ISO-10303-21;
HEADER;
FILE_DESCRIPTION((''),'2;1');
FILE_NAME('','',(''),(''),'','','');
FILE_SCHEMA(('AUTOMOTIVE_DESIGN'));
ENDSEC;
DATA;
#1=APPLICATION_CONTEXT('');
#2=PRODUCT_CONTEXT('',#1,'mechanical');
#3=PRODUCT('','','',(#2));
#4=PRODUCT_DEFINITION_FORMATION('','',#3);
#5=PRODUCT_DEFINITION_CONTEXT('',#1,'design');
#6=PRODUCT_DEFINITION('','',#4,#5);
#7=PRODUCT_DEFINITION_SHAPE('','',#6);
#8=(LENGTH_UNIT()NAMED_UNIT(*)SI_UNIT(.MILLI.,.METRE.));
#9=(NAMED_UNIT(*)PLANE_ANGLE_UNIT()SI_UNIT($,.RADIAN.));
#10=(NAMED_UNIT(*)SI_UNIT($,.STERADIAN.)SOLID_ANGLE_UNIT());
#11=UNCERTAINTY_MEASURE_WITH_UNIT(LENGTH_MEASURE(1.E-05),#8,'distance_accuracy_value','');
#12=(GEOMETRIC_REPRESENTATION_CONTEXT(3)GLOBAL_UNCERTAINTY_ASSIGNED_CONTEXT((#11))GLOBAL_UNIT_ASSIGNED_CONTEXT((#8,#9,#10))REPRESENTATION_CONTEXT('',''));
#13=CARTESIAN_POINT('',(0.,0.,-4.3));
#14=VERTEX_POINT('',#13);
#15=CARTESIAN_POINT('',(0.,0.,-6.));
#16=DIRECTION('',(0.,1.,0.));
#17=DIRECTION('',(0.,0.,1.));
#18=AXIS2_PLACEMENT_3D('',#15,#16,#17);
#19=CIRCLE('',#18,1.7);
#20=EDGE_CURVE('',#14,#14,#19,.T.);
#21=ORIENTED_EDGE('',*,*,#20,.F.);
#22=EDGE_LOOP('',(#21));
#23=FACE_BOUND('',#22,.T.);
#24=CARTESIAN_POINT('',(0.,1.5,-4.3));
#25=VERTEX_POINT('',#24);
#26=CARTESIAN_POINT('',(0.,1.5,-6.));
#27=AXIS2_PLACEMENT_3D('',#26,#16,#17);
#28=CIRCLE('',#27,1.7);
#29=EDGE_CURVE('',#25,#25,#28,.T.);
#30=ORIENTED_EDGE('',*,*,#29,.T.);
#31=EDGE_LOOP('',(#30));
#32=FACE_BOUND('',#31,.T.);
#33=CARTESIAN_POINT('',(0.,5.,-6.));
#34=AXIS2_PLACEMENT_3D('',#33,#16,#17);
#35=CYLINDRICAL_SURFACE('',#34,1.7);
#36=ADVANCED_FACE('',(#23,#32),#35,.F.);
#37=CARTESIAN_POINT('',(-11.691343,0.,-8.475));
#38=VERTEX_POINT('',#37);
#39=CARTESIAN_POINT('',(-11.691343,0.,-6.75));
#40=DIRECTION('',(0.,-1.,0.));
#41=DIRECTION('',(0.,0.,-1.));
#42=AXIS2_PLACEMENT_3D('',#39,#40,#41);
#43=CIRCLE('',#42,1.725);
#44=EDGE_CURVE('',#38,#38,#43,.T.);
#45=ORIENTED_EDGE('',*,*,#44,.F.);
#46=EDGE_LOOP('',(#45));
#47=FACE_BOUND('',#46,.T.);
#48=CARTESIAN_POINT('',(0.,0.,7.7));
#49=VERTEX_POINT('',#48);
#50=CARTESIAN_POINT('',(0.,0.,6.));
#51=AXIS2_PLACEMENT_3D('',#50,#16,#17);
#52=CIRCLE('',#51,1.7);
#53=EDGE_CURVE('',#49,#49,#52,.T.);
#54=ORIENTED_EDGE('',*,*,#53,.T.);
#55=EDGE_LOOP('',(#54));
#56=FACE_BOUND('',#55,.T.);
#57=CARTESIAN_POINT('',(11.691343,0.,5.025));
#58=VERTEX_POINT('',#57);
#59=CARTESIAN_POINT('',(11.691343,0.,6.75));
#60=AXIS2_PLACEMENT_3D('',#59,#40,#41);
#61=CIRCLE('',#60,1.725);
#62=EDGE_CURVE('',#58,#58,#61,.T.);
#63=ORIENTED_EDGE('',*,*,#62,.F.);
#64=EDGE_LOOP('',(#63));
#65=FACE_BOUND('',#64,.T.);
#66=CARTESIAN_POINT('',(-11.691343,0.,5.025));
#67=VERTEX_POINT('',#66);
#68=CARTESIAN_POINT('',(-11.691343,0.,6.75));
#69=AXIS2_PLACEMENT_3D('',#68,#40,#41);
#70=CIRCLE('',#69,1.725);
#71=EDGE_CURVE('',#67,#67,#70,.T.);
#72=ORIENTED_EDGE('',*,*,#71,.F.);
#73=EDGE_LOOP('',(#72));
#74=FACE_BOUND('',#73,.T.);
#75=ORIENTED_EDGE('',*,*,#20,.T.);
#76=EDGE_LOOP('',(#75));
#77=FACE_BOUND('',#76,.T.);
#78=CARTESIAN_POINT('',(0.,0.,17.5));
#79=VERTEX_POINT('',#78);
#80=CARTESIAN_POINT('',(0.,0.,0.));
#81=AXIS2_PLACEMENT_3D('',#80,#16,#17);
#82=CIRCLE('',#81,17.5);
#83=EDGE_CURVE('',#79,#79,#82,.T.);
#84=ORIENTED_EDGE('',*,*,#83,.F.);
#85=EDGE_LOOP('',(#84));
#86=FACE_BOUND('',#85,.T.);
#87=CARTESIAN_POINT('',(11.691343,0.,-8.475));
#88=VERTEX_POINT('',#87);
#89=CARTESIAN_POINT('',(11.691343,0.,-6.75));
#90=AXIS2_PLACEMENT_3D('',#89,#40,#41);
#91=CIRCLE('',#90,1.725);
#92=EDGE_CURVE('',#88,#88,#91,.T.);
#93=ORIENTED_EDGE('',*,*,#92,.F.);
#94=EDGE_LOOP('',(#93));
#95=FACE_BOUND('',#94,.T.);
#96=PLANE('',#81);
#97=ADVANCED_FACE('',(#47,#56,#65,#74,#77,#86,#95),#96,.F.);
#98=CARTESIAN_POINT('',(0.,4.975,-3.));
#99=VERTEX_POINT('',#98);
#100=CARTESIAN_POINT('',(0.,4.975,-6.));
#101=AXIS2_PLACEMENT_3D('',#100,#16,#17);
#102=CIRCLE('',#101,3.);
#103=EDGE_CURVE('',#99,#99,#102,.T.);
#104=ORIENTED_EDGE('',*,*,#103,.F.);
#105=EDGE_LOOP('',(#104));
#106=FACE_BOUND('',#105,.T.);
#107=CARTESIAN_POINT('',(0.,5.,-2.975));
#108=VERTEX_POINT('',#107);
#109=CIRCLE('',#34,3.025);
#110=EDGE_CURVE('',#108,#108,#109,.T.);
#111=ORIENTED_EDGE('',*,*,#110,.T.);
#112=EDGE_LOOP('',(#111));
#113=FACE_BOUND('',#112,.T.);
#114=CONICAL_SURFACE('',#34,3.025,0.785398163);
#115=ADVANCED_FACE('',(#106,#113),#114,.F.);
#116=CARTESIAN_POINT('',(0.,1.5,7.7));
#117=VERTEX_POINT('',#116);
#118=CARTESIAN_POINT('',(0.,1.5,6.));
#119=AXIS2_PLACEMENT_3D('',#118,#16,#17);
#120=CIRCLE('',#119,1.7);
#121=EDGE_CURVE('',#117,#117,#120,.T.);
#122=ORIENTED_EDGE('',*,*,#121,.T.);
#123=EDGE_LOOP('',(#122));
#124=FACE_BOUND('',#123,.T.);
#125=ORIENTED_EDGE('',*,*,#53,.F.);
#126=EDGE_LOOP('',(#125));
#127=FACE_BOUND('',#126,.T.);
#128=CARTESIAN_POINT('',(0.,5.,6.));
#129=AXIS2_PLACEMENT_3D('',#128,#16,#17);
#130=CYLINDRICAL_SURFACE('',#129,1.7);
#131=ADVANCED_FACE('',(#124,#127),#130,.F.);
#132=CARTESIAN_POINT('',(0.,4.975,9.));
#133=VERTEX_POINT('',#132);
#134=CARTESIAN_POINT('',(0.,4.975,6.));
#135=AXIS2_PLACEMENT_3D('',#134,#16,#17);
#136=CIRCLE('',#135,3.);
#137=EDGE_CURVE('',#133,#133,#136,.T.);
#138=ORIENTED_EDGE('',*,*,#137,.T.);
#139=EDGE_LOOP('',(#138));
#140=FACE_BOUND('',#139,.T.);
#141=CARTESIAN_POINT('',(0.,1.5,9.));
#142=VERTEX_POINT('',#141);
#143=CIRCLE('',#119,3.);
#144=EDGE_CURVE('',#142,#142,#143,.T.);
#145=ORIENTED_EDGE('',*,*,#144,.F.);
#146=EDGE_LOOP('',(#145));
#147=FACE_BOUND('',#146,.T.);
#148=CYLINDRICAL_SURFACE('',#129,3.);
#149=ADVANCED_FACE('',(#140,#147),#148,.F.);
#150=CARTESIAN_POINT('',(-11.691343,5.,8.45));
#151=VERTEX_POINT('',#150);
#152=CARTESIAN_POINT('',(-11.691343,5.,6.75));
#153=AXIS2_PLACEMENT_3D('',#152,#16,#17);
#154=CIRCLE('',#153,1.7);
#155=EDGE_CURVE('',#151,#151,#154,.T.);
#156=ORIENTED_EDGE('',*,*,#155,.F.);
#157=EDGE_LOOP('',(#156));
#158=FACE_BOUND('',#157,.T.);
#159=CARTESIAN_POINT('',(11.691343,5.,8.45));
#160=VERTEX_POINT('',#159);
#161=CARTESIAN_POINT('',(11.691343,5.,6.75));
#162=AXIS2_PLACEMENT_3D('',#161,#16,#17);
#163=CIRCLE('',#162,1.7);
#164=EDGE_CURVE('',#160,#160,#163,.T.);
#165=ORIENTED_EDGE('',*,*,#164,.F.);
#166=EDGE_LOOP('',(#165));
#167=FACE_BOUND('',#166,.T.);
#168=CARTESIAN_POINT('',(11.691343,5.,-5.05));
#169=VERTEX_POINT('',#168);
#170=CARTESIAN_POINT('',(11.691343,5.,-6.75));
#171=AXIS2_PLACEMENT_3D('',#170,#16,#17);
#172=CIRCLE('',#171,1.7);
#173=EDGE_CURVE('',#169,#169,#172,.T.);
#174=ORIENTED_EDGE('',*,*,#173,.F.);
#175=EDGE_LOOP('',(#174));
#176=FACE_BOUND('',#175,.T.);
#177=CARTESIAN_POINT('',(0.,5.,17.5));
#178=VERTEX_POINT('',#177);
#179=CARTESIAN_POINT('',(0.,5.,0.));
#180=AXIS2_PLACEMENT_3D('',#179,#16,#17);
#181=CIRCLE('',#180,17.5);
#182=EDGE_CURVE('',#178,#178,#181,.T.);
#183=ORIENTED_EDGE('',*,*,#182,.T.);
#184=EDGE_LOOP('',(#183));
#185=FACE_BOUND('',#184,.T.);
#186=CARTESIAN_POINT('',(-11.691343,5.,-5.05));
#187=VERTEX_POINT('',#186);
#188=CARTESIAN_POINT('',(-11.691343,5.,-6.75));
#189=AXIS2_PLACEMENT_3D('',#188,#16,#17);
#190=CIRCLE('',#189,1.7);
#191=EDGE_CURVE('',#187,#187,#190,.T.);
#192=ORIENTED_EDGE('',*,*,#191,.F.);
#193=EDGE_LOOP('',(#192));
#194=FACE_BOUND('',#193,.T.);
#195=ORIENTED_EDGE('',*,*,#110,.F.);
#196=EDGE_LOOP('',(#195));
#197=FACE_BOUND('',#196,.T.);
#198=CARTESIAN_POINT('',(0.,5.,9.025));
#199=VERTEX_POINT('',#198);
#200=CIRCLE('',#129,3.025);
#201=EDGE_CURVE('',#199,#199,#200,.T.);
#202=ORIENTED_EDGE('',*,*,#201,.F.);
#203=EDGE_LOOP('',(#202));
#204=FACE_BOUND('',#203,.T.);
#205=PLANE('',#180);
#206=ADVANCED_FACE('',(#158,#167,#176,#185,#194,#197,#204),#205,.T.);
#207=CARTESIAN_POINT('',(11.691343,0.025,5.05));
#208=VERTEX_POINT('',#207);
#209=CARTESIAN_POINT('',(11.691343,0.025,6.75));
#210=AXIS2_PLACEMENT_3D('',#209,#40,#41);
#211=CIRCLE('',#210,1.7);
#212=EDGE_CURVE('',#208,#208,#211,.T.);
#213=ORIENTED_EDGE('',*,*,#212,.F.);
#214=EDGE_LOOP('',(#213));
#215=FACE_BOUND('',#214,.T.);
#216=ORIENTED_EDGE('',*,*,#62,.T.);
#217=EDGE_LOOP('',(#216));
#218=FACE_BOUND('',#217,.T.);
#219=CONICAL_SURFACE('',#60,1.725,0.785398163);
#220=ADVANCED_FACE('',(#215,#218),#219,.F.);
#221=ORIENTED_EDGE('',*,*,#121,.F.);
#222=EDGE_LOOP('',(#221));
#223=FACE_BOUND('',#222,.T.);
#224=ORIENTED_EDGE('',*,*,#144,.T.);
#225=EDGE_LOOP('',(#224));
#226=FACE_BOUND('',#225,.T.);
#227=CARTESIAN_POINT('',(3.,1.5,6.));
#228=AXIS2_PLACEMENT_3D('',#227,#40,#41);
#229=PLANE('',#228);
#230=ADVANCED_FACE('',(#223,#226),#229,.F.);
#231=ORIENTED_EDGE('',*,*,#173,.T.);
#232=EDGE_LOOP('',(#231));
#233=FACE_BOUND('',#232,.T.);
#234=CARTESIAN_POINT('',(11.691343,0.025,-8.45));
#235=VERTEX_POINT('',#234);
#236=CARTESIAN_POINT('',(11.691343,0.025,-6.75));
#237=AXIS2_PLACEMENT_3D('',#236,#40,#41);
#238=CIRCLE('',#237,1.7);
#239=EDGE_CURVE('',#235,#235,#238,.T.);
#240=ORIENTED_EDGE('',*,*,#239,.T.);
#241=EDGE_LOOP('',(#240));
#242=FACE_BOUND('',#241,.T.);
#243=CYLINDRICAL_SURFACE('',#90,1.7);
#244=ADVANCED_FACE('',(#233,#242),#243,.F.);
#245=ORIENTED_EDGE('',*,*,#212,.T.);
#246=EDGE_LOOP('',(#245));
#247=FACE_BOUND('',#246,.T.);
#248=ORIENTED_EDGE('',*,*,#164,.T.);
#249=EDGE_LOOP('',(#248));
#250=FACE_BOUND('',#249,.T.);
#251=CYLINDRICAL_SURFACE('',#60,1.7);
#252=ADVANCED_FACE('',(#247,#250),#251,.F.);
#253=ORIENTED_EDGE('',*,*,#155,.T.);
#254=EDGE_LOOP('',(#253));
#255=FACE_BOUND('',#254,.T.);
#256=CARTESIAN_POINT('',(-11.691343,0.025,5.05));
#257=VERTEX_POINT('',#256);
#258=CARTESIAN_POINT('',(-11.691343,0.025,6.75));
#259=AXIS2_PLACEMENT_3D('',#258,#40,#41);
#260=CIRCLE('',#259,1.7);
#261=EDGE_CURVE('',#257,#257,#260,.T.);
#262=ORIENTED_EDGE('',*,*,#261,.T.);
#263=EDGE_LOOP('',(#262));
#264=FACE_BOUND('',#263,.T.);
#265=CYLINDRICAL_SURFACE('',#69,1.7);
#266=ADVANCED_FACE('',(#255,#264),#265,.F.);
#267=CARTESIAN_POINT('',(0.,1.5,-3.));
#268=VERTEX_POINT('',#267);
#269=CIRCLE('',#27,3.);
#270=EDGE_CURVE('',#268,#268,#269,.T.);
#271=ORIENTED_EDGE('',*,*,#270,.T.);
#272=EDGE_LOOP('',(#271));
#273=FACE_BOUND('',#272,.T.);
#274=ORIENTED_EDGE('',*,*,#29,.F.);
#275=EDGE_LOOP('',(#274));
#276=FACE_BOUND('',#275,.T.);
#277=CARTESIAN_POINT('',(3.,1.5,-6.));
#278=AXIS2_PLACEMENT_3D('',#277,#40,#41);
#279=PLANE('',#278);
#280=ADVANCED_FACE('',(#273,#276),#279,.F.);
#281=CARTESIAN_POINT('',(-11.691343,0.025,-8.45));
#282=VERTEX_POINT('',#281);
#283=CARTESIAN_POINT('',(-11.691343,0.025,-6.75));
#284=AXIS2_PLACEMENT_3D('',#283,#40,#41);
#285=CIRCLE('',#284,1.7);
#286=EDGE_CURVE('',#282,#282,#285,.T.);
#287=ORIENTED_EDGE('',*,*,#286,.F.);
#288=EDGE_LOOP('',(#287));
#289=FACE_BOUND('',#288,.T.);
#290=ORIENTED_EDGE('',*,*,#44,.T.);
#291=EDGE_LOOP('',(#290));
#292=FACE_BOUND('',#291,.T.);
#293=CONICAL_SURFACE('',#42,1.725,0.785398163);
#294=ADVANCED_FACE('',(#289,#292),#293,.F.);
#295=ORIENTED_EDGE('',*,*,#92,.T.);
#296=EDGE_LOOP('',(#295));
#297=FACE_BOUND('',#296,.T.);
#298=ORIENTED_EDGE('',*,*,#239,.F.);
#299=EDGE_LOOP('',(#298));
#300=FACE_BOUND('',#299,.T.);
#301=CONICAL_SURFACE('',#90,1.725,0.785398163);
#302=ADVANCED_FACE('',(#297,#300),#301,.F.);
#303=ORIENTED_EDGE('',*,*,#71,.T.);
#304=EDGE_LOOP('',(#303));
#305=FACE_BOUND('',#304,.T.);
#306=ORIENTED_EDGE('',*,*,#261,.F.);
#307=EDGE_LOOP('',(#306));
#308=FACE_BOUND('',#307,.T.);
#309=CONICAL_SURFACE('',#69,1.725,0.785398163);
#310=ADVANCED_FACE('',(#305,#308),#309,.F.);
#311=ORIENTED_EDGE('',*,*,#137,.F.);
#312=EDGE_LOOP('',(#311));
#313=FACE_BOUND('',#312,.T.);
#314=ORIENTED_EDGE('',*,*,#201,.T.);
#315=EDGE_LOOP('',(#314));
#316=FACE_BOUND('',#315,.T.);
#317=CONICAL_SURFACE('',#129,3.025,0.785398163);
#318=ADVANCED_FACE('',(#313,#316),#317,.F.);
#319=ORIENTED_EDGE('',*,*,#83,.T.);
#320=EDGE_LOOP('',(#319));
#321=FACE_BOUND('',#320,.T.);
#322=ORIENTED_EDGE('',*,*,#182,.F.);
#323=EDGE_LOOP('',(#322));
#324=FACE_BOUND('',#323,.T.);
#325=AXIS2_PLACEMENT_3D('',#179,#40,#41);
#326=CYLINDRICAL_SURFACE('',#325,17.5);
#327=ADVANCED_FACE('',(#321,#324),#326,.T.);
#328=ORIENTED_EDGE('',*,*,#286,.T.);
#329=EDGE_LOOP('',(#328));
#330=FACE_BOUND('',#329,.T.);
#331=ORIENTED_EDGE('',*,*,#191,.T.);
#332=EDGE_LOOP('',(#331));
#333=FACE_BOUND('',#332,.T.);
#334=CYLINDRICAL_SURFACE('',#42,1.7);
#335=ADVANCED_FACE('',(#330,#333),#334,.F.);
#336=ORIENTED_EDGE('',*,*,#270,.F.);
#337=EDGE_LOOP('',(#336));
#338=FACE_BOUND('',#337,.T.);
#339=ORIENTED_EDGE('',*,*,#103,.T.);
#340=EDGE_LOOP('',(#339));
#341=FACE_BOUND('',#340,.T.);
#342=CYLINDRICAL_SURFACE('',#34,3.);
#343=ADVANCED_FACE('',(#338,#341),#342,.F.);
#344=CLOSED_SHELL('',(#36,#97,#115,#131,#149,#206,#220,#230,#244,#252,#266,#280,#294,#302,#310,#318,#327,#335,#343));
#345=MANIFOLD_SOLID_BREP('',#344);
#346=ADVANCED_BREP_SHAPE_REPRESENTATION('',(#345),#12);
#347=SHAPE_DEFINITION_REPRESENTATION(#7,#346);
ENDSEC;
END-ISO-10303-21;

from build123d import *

# Parameters (mm, degrees)
SKETCH_1_R                    = 17.5
EXTRUDE_1_DEPTH               = 5
HOLE_WIZARD_M3_1_D            = 3.4
HOLE_WIZARD_M3_1_CSINK_D      = 3.45
HOLE_WIZARD_M3_1_CSINK_ANGLE  = 90
PATTERN_CIRCULAR_1_COUNT      = 6
HOLE_WIZARD_M3_1_2_AT_2_COUNT = 2
HOLE_WIZARD_M3_1_2_AT_2_PITCH = 12


with BuildPart() as part:
    # 草图1 → 凸台-拉伸1 (new body)
    with BuildSketch(Plane(origin=(0, 0, 0), x_dir=(1, 0, 0), z_dir=(0, 1, 0))):
        with Locations(Location((0, 0, 0), (0, 0, 270))):
            Circle(SKETCH_1_R)
    extrude(amount=EXTRUDE_1_DEPTH)

    # Hole Wizard M3 _1 (through all)
    with Locations(Plane(origin=(0, 0, 0), x_dir=(-1, 0, 0), z_dir=(0, -1, 0))):
        with Locations((11.691342951, 6.75)):
            hole_wizard_m3_1 = CounterSinkHole(HOLE_WIZARD_M3_1_D / 2, HOLE_WIZARD_M3_1_CSINK_D / 2, counter_sink_angle=HOLE_WIZARD_M3_1_CSINK_ANGLE)

    # 阵列(圆周)1: Hole Wizard M3 _1 ×6 about axis, 2 skipped
    pattern_circular_1_axis = Axis((0, 0, 0), (0, -1, 0))
    add([hole_wizard_m3_1.rotate(pattern_circular_1_axis, i * 360 / PATTERN_CIRCULAR_1_COUNT) for i in range(1, PATTERN_CIRCULAR_1_COUNT) if i not in (1, 4)], mode=Mode.SUBTRACT)

    # 草图6 → Hole Wizard M3 _1 2 (revolve, cut)
    with BuildSketch(Plane(origin=(0, 5, -6), x_dir=(0, 0, 1), z_dir=(1, 0, 0))):
        Polygon((0, 0), (0, 5), (1.7, 5), (1.7, 3.5), (3, 3.5), (3, 0.025), (3.025, 0), align=None)
    hole_wizard_m3_1_2 = revolve(axis=Axis((0, 11.35, -6), (0, -1, 0)), mode=Mode.SUBTRACT)

    # Hole Wizard M3 _1 2 at 2: Hole Wizard M3 _1 2 ×2
    with Locations(*[(0, 0, i * HOLE_WIZARD_M3_1_2_AT_2_PITCH) for i in range(1, HOLE_WIZARD_M3_1_2_AT_2_COUNT)]):
        add(hole_wizard_m3_1_2, mode=Mode.SUBTRACT)


solid = part.part
